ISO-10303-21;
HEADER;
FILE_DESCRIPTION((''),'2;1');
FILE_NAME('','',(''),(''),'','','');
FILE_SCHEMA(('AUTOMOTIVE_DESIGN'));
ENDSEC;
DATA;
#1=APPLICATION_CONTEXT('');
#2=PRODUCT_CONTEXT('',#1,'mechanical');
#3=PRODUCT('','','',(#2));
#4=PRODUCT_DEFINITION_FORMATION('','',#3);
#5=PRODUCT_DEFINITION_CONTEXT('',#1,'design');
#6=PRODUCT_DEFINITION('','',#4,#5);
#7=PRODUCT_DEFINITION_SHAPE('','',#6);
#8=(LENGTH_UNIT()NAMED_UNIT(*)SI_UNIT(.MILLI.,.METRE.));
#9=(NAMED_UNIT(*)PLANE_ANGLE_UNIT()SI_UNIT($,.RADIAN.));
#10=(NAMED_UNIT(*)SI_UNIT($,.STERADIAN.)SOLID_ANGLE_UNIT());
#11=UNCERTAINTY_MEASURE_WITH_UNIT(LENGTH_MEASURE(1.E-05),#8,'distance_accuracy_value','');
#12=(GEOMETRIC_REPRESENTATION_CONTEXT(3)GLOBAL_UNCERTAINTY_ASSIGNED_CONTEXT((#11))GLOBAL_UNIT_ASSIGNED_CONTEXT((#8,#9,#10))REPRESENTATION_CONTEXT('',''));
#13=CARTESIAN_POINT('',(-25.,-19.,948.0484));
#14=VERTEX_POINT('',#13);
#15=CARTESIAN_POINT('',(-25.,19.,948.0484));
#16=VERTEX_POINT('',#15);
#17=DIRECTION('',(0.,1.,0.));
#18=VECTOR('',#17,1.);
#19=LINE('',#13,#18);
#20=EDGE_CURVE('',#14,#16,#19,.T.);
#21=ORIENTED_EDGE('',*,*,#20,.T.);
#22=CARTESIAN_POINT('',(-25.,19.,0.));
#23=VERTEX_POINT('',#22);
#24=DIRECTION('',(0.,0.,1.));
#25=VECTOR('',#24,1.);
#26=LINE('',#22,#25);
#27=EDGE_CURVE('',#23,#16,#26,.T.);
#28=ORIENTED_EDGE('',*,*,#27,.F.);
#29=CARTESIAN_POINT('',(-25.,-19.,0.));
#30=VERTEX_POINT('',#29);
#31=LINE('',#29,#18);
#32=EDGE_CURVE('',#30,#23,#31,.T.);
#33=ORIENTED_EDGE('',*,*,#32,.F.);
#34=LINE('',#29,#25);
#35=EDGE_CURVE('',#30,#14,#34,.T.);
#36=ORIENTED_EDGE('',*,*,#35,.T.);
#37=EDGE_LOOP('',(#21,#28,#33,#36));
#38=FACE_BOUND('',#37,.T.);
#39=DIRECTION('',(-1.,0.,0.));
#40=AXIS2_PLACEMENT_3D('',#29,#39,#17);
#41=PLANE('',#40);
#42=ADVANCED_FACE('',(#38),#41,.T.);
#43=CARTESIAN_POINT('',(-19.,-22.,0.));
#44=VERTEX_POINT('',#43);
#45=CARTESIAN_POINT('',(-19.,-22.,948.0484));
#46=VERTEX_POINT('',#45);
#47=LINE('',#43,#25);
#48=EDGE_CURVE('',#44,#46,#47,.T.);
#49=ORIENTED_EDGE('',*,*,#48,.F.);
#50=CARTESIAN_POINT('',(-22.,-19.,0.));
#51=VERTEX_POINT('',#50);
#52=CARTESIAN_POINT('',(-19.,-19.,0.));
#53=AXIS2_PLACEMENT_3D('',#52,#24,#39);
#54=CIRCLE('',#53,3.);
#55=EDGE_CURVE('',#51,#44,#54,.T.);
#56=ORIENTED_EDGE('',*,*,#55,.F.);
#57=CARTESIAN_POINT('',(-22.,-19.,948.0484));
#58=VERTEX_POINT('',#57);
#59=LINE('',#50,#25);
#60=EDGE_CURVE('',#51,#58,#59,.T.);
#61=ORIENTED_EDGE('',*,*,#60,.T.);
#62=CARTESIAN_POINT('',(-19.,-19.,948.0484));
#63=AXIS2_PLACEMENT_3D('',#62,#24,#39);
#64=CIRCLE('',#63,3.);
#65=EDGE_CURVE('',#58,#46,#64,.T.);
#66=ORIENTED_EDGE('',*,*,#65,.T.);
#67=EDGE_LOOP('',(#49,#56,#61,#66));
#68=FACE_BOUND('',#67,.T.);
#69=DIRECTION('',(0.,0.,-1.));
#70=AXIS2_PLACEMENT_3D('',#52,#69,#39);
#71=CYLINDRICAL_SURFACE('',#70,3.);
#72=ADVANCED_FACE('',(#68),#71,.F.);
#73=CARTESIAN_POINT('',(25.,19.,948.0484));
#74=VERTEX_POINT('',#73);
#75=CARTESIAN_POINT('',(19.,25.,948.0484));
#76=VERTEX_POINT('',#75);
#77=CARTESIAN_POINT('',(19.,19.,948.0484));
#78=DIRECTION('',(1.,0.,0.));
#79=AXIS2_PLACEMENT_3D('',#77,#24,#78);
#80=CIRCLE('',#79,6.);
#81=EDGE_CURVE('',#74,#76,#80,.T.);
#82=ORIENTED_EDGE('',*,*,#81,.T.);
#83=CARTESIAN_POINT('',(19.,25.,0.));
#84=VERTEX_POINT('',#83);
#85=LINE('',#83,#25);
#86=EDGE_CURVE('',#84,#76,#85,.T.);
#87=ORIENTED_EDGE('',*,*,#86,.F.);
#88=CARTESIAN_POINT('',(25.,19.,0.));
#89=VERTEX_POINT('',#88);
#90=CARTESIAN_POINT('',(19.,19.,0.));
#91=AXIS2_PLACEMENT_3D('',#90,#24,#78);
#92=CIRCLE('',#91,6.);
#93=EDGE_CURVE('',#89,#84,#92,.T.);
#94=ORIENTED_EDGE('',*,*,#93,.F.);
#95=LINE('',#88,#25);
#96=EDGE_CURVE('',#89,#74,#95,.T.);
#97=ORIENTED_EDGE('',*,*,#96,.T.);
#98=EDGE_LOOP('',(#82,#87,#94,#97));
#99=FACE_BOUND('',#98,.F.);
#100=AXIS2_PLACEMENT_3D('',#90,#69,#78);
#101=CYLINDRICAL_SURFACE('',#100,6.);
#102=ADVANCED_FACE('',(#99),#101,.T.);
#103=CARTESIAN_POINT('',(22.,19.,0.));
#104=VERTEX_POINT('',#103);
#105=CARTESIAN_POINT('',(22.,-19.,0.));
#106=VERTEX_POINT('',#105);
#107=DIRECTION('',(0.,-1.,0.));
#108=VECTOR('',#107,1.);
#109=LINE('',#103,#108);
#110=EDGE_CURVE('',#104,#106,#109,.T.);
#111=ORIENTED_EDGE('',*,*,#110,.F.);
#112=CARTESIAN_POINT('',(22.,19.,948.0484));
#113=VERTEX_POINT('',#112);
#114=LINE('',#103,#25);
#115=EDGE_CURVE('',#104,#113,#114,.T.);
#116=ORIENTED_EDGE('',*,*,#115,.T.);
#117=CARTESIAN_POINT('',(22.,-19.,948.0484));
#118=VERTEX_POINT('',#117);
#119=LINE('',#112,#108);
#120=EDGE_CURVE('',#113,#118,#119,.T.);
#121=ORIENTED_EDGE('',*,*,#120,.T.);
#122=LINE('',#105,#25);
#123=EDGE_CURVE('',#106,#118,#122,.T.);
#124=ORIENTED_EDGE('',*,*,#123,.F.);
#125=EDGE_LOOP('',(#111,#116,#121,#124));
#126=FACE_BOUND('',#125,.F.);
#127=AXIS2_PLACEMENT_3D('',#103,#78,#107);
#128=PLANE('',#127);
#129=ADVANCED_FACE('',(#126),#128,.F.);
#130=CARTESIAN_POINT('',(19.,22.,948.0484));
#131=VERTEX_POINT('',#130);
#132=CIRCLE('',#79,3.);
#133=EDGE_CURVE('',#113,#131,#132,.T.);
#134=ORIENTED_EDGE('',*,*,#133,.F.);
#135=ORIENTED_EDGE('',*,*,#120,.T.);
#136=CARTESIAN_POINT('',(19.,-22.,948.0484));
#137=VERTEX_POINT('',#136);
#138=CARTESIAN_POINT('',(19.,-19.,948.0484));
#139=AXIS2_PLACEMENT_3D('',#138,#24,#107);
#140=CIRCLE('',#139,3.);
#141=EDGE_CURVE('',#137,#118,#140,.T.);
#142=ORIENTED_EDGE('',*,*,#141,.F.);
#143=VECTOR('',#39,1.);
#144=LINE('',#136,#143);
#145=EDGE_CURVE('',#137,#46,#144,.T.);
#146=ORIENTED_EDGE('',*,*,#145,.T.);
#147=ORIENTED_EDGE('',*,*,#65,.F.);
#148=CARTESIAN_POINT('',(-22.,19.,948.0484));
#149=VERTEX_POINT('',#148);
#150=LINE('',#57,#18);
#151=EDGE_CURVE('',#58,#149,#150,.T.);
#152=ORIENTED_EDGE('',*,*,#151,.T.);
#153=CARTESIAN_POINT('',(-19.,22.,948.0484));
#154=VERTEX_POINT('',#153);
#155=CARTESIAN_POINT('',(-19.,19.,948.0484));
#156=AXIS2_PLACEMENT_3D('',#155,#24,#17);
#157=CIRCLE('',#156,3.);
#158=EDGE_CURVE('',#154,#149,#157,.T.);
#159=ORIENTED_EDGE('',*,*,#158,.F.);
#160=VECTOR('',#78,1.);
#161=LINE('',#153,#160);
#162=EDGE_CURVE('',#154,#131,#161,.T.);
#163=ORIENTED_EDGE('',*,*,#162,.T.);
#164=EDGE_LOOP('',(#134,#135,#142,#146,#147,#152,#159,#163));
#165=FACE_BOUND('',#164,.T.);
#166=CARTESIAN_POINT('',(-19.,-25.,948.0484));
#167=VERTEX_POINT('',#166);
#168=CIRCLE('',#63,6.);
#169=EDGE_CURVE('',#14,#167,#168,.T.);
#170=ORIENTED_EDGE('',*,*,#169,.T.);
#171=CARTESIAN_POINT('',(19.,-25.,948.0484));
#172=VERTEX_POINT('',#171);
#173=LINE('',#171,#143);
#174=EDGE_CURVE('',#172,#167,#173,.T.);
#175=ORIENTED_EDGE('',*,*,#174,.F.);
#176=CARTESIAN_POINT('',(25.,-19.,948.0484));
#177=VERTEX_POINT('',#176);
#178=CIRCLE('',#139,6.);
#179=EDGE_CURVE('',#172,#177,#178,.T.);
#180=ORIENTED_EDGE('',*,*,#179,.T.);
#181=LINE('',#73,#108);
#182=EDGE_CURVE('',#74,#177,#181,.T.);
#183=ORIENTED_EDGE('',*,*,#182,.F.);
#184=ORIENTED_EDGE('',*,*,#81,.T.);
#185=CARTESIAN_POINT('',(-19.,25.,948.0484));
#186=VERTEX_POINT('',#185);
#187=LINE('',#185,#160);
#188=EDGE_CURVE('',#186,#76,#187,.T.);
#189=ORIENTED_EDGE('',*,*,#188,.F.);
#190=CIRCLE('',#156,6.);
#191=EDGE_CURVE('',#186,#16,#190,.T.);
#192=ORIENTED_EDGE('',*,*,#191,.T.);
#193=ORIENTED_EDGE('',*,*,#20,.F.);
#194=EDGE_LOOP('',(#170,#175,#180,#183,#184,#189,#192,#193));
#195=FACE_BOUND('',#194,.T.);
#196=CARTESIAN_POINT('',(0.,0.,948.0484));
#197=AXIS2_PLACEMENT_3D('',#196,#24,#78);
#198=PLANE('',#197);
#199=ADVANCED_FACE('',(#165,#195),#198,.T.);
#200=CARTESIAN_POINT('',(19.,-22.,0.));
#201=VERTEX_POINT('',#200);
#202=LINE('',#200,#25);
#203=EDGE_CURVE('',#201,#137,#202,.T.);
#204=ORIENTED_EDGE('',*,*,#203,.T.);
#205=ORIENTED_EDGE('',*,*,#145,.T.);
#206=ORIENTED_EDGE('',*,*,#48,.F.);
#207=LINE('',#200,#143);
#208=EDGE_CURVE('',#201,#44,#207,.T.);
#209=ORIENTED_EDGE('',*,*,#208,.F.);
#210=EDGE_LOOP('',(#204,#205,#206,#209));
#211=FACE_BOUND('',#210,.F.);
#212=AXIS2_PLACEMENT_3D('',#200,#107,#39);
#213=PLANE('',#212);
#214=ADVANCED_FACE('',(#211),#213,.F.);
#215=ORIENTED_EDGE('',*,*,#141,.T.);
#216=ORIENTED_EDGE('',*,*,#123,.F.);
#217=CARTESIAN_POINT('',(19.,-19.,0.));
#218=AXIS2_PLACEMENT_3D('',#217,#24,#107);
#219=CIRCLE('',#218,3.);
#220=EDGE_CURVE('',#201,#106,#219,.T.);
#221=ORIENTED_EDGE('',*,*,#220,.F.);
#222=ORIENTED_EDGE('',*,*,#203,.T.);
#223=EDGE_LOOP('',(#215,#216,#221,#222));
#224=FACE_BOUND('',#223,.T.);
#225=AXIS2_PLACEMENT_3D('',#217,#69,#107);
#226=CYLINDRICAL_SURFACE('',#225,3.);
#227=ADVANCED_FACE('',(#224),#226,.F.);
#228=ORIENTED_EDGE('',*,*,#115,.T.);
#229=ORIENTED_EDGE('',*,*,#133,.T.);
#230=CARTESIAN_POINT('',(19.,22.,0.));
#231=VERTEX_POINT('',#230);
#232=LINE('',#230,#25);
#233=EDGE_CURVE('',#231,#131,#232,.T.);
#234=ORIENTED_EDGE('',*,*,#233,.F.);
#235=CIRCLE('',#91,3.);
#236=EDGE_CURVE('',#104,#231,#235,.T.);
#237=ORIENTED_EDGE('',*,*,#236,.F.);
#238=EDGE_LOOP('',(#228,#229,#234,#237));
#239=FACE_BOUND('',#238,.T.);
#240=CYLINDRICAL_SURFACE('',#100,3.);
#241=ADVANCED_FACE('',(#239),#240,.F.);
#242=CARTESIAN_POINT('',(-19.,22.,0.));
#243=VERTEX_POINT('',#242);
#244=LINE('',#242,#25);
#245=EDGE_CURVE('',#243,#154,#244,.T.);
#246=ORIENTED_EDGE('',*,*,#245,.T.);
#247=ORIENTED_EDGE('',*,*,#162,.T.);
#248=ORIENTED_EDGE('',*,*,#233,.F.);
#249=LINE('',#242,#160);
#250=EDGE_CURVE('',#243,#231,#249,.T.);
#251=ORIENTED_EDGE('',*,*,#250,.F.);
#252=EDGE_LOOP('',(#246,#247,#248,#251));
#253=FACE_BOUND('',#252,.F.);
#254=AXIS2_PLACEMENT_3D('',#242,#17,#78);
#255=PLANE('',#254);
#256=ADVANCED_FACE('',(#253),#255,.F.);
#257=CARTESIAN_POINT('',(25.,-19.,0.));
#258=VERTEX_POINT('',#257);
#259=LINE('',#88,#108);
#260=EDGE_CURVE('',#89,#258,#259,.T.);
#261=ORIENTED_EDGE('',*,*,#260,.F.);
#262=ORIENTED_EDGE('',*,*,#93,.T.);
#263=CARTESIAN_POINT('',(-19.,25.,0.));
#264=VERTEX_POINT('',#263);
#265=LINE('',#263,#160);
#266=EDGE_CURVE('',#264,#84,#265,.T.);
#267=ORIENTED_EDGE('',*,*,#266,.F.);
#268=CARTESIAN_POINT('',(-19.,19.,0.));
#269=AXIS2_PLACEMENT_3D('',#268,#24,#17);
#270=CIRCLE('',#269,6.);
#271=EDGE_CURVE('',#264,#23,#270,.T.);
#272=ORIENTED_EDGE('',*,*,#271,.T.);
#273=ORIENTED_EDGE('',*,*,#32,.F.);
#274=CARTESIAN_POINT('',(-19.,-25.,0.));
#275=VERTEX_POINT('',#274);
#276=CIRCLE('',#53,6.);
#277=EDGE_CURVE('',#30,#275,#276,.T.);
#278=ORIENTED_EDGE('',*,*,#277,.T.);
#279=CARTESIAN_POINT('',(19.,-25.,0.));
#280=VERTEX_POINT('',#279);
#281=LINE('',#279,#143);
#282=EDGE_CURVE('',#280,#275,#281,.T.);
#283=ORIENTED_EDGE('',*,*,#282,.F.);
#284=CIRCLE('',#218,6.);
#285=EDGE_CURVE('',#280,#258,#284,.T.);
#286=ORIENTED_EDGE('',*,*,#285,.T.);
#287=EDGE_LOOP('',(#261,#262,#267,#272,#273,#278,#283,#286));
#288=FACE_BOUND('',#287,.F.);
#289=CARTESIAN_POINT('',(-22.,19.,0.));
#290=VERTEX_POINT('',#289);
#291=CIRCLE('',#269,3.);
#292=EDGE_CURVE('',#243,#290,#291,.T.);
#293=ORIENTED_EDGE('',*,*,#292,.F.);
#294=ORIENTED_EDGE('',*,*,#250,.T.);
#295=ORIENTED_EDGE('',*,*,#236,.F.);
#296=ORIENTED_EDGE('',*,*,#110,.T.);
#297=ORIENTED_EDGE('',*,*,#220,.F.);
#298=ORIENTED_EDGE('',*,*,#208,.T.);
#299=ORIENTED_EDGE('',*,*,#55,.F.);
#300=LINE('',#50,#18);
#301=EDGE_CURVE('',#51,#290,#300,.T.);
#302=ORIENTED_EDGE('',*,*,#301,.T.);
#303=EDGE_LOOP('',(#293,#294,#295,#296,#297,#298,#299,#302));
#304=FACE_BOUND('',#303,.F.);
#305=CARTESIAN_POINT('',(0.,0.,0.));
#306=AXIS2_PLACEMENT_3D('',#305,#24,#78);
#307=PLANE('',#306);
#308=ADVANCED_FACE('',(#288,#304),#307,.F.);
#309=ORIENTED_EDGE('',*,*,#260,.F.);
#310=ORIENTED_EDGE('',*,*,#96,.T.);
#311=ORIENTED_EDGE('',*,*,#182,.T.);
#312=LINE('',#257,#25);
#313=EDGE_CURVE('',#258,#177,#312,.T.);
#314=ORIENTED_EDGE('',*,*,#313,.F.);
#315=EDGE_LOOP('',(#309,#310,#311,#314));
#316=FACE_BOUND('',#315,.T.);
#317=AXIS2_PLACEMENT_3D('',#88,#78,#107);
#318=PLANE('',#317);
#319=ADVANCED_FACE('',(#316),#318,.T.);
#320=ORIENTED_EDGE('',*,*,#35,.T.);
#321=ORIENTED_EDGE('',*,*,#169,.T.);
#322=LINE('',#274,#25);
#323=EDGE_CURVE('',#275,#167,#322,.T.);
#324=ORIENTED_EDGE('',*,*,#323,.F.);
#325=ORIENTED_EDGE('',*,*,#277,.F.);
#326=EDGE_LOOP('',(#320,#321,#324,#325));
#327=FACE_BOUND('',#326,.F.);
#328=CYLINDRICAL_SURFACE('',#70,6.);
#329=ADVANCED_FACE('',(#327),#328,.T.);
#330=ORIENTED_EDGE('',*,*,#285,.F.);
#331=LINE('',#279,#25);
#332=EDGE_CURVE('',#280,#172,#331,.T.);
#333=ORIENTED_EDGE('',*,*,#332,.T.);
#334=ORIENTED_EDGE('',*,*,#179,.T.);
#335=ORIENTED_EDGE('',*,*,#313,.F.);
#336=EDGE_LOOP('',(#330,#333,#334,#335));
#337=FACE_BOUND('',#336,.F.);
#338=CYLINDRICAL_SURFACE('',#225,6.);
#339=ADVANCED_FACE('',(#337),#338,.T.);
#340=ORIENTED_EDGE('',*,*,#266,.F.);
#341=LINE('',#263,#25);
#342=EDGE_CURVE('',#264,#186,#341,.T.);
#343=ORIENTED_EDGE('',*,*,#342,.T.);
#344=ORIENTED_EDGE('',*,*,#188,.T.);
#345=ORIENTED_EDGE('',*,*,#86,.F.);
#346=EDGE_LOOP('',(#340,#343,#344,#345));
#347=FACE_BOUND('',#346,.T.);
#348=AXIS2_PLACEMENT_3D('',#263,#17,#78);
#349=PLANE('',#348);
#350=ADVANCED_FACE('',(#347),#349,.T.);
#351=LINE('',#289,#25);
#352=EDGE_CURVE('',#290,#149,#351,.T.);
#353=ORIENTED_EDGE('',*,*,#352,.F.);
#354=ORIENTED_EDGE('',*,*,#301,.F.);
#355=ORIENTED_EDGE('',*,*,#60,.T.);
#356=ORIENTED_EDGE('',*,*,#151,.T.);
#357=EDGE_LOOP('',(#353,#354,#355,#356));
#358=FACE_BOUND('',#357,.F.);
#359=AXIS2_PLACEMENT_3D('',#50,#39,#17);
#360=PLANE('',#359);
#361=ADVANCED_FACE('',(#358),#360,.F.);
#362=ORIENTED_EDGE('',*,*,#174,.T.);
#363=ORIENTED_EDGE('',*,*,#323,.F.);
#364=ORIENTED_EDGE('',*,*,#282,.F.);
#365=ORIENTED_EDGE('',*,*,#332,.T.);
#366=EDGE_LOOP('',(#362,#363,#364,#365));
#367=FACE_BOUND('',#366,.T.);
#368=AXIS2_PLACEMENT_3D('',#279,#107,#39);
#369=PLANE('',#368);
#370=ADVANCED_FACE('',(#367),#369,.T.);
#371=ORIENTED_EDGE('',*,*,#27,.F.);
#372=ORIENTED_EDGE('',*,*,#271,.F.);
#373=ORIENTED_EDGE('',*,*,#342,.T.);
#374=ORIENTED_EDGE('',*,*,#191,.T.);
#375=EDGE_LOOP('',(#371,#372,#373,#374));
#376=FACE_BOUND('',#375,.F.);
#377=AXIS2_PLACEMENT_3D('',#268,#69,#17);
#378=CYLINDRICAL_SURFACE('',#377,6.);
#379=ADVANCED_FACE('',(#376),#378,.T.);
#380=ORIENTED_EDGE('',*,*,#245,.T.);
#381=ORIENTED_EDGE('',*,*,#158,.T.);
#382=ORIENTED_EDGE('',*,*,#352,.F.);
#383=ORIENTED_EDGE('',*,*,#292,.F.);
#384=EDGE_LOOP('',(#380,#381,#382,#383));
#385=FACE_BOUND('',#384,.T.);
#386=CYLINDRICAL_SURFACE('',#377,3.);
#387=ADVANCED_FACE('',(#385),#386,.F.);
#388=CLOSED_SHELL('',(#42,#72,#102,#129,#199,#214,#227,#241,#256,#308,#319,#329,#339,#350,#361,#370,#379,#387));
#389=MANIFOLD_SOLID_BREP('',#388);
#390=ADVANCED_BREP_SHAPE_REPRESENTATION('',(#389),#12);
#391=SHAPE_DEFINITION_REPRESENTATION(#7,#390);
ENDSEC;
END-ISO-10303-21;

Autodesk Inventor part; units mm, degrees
ref_plane "YZ Plane" through (0, 0, 0) normal (1, 0, 0) x (0, 1, 0)
ref_plane "Start Plane" through (0, 0, 0) normal (0, 0, 1) x (1, 0, 0)
ref_plane "End Plane" through (0, 0, 948.0484) normal (0, 0, 1) x (1, 0, 0)
sketch "Sketch" plane through (0, 0, 0) normal (0, 0, 1) x (1, 0, 0)
  line L0 (-25, -19) -> (-25, 19)
  line L1 (-19, 25) -> (19, 25)
  line L2 (25, 19) -> (25, -19)
  line L3 (19, -25) -> (-19, -25)
  arc A0 (-25, -19) -> (-19, -25) centre (-19, -19) ccw
  arc A1 (25, 19) -> (19, 25) centre (19, 19) ccw
  arc A2 (-19, 25) -> (-25, 19) centre (-19, 19) ccw
  arc A3 (19, -25) -> (25, -19) centre (19, -19) ccw
  arc A4 (-19, 22) -> (-22, 19) centre (-19, 19) ccw
  line L4 (-19, 22) -> (19, 22)
  arc A5 (22, 19) -> (19, 22) centre (19, 19) ccw
  line L5 (22, 19) -> (22, -19)
  arc A6 (19, -22) -> (22, -19) centre (19, -19) ccw
  line L6 (19, -22) -> (-19, -22)
  arc A7 (-22, -19) -> (-19, -22) centre (-19, -19) ccw
  line L7 (-22, -19) -> (-22, 19)
  line L8 (0, 36.7397) -> (0, -36.7397) construction
  line L9 (-36.7397, 0) -> (36.7397, 0) construction
  dimension "d7" = 6
  dimension "d9" = 50
  dimension "d11" = 50
  dimension "d12" = 3
  dimension "d15" = 25
  dimension "d16" = 25
extrude "Body" add sketch "Sketch" along normal up to surface (948.0484 mm away) from surface at 0
sketch "Sketch3" plane through (0, 0, 0) normal (0, 0, 1) x (1, 0, 0)
  line L0 (0, 0) -> (10, 0)
ref_plane "Work Plane3" through (0, 0, 0) normal (0, -1, 0) x (1, 0, 0)
sketch "Sketch4" plane through (0, 0, 0) normal (0, -1, 0) x (1, 0, 0)
  line L0 (-2, 0) -> (12, 0) projected
  line L1 (-2, 948.0484) -> (12, 948.0484) projected
  dimension "d18" = 948.0484
equation "\"d7\" = G_IR"
equation "\"d9\" = G_W"
equation "\"d11\" = G_H"
equation "\"d12\" = G_T"
equation "\"d15\" = 0.5 * d9"
equation "\"d16\" = 0.5 * d11"
equation "\"d3\" = G_L"
equation "\"G_W\" = 50"
equation "\"G_H\" = 50"
equation "\"G_T\" = 3"
equation "\"G_IR\" = 6"
equation "\"G_L\" = d18"
equation "\"G_OFFSET_START\" = 0"
equation "\"G_OFFSET_END\" = 0"
equation "\"d14\" = G_OFFSET_END + B_L"
equation "\"B_L\" = 948.04838"
properties part number "ISO 10799-2 - 50x50x3 - 948.05" material "Steel, Mild"
